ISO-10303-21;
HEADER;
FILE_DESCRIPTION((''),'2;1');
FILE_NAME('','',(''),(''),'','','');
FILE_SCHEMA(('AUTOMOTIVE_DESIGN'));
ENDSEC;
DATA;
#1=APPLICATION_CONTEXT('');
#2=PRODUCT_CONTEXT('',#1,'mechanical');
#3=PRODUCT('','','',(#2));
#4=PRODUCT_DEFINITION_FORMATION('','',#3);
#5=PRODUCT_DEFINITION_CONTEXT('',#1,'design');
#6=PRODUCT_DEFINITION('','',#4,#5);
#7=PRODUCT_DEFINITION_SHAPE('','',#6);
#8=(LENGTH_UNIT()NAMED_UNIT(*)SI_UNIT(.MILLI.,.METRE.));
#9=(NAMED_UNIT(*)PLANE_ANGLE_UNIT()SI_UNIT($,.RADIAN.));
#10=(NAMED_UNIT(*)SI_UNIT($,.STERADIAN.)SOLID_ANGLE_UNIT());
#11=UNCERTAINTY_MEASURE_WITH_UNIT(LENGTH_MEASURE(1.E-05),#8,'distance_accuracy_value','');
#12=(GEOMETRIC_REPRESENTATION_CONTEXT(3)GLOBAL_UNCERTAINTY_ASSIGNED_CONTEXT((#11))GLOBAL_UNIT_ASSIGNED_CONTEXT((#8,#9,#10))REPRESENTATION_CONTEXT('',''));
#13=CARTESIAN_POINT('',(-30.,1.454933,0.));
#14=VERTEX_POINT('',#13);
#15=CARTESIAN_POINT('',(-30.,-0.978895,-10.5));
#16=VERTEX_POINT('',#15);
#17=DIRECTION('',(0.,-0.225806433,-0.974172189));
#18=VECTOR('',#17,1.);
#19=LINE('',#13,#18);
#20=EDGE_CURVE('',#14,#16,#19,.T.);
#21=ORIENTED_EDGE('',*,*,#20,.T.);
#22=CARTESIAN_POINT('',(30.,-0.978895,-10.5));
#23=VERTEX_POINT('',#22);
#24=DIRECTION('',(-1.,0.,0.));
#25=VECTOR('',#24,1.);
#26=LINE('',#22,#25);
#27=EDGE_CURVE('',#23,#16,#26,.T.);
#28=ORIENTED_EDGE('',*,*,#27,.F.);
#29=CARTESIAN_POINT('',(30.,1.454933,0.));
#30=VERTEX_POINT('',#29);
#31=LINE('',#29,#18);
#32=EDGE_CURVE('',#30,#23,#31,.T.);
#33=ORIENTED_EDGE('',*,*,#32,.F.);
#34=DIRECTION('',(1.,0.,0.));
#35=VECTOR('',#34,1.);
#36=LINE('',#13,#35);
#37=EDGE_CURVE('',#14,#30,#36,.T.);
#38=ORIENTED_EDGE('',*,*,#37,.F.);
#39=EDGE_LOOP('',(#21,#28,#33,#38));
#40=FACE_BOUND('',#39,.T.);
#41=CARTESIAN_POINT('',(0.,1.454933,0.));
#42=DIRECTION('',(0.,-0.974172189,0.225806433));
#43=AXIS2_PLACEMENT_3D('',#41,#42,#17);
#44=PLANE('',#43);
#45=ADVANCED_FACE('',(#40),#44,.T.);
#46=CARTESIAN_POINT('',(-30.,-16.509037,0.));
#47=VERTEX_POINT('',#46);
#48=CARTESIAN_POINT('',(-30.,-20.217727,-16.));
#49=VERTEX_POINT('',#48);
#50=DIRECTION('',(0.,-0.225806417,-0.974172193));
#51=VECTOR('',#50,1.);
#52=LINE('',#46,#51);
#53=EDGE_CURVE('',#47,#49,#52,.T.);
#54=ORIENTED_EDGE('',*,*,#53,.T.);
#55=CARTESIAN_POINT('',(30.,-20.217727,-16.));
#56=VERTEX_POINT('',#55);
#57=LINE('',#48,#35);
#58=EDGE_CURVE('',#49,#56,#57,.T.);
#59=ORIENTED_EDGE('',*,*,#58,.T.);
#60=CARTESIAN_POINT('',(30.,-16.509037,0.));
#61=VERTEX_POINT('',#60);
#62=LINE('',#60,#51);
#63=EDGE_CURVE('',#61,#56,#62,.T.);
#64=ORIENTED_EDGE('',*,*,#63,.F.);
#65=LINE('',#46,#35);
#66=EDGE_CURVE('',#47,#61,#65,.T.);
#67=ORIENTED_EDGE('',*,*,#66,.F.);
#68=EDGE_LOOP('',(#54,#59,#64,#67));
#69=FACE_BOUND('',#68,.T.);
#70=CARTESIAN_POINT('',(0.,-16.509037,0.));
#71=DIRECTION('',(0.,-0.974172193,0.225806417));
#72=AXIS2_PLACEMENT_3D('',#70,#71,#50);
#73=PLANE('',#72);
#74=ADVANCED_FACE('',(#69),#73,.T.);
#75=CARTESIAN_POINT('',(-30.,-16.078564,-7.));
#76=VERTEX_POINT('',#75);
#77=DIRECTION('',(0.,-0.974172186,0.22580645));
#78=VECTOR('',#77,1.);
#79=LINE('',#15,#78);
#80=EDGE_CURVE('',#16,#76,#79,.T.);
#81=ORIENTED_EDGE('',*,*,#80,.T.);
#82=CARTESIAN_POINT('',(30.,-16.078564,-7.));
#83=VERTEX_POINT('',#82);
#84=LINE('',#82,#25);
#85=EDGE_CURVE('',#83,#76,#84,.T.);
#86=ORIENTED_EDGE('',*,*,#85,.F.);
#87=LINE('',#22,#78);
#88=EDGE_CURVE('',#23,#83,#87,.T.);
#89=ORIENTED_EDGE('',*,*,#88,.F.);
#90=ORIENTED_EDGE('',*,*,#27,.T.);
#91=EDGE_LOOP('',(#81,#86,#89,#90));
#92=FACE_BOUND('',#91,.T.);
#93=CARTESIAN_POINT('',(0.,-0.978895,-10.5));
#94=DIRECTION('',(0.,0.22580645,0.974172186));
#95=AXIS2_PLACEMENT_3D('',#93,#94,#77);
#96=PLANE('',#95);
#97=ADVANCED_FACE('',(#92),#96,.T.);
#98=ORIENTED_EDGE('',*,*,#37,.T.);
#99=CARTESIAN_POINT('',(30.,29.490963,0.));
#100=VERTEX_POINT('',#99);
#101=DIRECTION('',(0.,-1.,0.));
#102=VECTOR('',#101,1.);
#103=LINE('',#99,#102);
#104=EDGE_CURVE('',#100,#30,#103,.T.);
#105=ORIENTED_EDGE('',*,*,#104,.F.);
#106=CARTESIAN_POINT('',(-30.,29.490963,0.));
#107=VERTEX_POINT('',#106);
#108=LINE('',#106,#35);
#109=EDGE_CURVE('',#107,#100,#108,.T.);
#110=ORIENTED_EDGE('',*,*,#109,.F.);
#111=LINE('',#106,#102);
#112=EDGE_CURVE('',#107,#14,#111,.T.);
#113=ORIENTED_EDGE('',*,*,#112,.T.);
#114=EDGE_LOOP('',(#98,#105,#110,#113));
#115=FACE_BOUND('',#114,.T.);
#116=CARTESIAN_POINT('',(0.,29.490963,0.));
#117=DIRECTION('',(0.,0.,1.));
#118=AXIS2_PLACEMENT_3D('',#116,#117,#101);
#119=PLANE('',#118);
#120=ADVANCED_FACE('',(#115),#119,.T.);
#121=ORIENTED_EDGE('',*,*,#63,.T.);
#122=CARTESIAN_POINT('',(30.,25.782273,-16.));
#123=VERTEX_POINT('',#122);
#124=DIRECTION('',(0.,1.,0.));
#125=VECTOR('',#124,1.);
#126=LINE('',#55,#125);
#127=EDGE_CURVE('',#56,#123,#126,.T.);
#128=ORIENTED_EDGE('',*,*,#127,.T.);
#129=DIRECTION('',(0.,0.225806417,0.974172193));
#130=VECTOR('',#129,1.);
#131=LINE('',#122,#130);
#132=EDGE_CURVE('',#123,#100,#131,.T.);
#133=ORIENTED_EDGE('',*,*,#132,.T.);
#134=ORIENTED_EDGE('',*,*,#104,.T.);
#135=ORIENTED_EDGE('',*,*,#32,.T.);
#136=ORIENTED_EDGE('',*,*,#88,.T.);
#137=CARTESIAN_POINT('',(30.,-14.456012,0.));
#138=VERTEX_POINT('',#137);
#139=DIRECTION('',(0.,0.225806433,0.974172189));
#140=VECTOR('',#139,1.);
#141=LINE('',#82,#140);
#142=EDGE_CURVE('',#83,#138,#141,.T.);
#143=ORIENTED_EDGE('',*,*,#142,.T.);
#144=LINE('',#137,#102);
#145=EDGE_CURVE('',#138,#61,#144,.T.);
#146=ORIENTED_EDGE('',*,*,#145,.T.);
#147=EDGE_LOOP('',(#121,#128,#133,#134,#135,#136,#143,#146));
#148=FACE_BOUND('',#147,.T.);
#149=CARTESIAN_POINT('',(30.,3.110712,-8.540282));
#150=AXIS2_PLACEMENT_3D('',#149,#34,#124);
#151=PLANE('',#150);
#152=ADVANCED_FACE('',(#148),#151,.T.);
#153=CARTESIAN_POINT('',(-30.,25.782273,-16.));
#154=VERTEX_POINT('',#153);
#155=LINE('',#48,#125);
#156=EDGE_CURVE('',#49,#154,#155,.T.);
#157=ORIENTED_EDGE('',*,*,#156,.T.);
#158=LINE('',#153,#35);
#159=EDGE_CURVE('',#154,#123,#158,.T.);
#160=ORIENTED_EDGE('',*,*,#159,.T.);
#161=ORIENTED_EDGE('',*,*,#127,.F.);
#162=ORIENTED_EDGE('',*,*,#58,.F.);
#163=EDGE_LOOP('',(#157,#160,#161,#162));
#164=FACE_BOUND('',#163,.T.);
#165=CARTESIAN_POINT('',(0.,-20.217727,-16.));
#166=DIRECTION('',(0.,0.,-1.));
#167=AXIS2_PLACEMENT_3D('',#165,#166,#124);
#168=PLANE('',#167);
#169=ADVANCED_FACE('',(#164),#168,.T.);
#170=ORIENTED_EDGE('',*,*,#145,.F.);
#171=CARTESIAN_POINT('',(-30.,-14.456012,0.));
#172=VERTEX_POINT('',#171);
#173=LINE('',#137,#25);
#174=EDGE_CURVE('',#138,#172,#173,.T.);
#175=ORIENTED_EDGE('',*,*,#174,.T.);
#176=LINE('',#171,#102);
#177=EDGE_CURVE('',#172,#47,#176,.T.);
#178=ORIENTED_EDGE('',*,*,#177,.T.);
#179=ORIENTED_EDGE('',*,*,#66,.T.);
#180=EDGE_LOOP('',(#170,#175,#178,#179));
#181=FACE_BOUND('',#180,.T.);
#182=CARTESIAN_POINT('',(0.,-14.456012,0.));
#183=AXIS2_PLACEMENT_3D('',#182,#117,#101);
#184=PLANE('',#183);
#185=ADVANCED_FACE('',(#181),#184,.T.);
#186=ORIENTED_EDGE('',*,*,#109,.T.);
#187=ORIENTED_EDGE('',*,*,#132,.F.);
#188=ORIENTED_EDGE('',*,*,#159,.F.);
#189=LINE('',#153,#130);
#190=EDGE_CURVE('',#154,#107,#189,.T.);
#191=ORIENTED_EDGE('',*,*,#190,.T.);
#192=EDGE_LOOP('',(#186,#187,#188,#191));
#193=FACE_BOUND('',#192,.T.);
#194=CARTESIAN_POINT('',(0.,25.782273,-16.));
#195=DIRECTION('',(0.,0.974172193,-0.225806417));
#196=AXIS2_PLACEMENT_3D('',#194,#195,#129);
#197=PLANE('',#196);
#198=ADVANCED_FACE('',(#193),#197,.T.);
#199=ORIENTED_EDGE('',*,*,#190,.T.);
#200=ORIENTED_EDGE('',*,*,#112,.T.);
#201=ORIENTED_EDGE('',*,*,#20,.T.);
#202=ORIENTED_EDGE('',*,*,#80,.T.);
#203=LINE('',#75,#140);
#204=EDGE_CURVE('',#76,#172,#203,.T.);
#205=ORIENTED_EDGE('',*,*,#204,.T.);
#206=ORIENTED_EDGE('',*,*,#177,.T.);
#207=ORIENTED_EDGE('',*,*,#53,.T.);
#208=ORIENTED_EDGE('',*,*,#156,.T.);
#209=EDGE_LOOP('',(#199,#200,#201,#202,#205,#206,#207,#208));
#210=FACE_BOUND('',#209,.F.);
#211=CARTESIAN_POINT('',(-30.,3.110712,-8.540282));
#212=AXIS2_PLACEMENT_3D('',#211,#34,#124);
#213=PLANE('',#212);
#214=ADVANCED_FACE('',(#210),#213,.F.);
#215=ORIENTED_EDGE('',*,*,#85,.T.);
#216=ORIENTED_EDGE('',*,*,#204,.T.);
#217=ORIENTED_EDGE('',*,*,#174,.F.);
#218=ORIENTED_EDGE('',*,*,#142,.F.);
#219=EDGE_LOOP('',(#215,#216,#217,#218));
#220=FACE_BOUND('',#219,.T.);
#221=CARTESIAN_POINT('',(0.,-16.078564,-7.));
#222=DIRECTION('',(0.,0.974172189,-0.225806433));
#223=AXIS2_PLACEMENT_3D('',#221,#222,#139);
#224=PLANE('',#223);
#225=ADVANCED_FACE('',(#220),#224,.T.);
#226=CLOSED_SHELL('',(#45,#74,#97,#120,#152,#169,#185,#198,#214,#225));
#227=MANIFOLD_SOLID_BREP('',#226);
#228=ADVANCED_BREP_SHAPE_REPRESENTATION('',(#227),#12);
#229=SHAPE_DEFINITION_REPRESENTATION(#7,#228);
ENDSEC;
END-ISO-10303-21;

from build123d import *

# Parameters (mm, degrees)
F1_DEPTH      = 30
F1_DEPTH_BACK = 30


with BuildPart() as f1:
    # F0 (on Right) → F1 (new body, two sides)
    with BuildSketch(Plane.YZ) as f1_sk:
        Polygon((-14.456012, 0), (-16.509037, 0), (-20.217727, -16), (25.782273, -16), (29.490963, 0), (1.454933, 0), (-0.978895, -10.5), (-16.078564, -7), align=None)
    extrude(amount=F1_DEPTH)
    extrude(f1_sk.sketch, amount=-F1_DEPTH_BACK)


solid = f1.part
